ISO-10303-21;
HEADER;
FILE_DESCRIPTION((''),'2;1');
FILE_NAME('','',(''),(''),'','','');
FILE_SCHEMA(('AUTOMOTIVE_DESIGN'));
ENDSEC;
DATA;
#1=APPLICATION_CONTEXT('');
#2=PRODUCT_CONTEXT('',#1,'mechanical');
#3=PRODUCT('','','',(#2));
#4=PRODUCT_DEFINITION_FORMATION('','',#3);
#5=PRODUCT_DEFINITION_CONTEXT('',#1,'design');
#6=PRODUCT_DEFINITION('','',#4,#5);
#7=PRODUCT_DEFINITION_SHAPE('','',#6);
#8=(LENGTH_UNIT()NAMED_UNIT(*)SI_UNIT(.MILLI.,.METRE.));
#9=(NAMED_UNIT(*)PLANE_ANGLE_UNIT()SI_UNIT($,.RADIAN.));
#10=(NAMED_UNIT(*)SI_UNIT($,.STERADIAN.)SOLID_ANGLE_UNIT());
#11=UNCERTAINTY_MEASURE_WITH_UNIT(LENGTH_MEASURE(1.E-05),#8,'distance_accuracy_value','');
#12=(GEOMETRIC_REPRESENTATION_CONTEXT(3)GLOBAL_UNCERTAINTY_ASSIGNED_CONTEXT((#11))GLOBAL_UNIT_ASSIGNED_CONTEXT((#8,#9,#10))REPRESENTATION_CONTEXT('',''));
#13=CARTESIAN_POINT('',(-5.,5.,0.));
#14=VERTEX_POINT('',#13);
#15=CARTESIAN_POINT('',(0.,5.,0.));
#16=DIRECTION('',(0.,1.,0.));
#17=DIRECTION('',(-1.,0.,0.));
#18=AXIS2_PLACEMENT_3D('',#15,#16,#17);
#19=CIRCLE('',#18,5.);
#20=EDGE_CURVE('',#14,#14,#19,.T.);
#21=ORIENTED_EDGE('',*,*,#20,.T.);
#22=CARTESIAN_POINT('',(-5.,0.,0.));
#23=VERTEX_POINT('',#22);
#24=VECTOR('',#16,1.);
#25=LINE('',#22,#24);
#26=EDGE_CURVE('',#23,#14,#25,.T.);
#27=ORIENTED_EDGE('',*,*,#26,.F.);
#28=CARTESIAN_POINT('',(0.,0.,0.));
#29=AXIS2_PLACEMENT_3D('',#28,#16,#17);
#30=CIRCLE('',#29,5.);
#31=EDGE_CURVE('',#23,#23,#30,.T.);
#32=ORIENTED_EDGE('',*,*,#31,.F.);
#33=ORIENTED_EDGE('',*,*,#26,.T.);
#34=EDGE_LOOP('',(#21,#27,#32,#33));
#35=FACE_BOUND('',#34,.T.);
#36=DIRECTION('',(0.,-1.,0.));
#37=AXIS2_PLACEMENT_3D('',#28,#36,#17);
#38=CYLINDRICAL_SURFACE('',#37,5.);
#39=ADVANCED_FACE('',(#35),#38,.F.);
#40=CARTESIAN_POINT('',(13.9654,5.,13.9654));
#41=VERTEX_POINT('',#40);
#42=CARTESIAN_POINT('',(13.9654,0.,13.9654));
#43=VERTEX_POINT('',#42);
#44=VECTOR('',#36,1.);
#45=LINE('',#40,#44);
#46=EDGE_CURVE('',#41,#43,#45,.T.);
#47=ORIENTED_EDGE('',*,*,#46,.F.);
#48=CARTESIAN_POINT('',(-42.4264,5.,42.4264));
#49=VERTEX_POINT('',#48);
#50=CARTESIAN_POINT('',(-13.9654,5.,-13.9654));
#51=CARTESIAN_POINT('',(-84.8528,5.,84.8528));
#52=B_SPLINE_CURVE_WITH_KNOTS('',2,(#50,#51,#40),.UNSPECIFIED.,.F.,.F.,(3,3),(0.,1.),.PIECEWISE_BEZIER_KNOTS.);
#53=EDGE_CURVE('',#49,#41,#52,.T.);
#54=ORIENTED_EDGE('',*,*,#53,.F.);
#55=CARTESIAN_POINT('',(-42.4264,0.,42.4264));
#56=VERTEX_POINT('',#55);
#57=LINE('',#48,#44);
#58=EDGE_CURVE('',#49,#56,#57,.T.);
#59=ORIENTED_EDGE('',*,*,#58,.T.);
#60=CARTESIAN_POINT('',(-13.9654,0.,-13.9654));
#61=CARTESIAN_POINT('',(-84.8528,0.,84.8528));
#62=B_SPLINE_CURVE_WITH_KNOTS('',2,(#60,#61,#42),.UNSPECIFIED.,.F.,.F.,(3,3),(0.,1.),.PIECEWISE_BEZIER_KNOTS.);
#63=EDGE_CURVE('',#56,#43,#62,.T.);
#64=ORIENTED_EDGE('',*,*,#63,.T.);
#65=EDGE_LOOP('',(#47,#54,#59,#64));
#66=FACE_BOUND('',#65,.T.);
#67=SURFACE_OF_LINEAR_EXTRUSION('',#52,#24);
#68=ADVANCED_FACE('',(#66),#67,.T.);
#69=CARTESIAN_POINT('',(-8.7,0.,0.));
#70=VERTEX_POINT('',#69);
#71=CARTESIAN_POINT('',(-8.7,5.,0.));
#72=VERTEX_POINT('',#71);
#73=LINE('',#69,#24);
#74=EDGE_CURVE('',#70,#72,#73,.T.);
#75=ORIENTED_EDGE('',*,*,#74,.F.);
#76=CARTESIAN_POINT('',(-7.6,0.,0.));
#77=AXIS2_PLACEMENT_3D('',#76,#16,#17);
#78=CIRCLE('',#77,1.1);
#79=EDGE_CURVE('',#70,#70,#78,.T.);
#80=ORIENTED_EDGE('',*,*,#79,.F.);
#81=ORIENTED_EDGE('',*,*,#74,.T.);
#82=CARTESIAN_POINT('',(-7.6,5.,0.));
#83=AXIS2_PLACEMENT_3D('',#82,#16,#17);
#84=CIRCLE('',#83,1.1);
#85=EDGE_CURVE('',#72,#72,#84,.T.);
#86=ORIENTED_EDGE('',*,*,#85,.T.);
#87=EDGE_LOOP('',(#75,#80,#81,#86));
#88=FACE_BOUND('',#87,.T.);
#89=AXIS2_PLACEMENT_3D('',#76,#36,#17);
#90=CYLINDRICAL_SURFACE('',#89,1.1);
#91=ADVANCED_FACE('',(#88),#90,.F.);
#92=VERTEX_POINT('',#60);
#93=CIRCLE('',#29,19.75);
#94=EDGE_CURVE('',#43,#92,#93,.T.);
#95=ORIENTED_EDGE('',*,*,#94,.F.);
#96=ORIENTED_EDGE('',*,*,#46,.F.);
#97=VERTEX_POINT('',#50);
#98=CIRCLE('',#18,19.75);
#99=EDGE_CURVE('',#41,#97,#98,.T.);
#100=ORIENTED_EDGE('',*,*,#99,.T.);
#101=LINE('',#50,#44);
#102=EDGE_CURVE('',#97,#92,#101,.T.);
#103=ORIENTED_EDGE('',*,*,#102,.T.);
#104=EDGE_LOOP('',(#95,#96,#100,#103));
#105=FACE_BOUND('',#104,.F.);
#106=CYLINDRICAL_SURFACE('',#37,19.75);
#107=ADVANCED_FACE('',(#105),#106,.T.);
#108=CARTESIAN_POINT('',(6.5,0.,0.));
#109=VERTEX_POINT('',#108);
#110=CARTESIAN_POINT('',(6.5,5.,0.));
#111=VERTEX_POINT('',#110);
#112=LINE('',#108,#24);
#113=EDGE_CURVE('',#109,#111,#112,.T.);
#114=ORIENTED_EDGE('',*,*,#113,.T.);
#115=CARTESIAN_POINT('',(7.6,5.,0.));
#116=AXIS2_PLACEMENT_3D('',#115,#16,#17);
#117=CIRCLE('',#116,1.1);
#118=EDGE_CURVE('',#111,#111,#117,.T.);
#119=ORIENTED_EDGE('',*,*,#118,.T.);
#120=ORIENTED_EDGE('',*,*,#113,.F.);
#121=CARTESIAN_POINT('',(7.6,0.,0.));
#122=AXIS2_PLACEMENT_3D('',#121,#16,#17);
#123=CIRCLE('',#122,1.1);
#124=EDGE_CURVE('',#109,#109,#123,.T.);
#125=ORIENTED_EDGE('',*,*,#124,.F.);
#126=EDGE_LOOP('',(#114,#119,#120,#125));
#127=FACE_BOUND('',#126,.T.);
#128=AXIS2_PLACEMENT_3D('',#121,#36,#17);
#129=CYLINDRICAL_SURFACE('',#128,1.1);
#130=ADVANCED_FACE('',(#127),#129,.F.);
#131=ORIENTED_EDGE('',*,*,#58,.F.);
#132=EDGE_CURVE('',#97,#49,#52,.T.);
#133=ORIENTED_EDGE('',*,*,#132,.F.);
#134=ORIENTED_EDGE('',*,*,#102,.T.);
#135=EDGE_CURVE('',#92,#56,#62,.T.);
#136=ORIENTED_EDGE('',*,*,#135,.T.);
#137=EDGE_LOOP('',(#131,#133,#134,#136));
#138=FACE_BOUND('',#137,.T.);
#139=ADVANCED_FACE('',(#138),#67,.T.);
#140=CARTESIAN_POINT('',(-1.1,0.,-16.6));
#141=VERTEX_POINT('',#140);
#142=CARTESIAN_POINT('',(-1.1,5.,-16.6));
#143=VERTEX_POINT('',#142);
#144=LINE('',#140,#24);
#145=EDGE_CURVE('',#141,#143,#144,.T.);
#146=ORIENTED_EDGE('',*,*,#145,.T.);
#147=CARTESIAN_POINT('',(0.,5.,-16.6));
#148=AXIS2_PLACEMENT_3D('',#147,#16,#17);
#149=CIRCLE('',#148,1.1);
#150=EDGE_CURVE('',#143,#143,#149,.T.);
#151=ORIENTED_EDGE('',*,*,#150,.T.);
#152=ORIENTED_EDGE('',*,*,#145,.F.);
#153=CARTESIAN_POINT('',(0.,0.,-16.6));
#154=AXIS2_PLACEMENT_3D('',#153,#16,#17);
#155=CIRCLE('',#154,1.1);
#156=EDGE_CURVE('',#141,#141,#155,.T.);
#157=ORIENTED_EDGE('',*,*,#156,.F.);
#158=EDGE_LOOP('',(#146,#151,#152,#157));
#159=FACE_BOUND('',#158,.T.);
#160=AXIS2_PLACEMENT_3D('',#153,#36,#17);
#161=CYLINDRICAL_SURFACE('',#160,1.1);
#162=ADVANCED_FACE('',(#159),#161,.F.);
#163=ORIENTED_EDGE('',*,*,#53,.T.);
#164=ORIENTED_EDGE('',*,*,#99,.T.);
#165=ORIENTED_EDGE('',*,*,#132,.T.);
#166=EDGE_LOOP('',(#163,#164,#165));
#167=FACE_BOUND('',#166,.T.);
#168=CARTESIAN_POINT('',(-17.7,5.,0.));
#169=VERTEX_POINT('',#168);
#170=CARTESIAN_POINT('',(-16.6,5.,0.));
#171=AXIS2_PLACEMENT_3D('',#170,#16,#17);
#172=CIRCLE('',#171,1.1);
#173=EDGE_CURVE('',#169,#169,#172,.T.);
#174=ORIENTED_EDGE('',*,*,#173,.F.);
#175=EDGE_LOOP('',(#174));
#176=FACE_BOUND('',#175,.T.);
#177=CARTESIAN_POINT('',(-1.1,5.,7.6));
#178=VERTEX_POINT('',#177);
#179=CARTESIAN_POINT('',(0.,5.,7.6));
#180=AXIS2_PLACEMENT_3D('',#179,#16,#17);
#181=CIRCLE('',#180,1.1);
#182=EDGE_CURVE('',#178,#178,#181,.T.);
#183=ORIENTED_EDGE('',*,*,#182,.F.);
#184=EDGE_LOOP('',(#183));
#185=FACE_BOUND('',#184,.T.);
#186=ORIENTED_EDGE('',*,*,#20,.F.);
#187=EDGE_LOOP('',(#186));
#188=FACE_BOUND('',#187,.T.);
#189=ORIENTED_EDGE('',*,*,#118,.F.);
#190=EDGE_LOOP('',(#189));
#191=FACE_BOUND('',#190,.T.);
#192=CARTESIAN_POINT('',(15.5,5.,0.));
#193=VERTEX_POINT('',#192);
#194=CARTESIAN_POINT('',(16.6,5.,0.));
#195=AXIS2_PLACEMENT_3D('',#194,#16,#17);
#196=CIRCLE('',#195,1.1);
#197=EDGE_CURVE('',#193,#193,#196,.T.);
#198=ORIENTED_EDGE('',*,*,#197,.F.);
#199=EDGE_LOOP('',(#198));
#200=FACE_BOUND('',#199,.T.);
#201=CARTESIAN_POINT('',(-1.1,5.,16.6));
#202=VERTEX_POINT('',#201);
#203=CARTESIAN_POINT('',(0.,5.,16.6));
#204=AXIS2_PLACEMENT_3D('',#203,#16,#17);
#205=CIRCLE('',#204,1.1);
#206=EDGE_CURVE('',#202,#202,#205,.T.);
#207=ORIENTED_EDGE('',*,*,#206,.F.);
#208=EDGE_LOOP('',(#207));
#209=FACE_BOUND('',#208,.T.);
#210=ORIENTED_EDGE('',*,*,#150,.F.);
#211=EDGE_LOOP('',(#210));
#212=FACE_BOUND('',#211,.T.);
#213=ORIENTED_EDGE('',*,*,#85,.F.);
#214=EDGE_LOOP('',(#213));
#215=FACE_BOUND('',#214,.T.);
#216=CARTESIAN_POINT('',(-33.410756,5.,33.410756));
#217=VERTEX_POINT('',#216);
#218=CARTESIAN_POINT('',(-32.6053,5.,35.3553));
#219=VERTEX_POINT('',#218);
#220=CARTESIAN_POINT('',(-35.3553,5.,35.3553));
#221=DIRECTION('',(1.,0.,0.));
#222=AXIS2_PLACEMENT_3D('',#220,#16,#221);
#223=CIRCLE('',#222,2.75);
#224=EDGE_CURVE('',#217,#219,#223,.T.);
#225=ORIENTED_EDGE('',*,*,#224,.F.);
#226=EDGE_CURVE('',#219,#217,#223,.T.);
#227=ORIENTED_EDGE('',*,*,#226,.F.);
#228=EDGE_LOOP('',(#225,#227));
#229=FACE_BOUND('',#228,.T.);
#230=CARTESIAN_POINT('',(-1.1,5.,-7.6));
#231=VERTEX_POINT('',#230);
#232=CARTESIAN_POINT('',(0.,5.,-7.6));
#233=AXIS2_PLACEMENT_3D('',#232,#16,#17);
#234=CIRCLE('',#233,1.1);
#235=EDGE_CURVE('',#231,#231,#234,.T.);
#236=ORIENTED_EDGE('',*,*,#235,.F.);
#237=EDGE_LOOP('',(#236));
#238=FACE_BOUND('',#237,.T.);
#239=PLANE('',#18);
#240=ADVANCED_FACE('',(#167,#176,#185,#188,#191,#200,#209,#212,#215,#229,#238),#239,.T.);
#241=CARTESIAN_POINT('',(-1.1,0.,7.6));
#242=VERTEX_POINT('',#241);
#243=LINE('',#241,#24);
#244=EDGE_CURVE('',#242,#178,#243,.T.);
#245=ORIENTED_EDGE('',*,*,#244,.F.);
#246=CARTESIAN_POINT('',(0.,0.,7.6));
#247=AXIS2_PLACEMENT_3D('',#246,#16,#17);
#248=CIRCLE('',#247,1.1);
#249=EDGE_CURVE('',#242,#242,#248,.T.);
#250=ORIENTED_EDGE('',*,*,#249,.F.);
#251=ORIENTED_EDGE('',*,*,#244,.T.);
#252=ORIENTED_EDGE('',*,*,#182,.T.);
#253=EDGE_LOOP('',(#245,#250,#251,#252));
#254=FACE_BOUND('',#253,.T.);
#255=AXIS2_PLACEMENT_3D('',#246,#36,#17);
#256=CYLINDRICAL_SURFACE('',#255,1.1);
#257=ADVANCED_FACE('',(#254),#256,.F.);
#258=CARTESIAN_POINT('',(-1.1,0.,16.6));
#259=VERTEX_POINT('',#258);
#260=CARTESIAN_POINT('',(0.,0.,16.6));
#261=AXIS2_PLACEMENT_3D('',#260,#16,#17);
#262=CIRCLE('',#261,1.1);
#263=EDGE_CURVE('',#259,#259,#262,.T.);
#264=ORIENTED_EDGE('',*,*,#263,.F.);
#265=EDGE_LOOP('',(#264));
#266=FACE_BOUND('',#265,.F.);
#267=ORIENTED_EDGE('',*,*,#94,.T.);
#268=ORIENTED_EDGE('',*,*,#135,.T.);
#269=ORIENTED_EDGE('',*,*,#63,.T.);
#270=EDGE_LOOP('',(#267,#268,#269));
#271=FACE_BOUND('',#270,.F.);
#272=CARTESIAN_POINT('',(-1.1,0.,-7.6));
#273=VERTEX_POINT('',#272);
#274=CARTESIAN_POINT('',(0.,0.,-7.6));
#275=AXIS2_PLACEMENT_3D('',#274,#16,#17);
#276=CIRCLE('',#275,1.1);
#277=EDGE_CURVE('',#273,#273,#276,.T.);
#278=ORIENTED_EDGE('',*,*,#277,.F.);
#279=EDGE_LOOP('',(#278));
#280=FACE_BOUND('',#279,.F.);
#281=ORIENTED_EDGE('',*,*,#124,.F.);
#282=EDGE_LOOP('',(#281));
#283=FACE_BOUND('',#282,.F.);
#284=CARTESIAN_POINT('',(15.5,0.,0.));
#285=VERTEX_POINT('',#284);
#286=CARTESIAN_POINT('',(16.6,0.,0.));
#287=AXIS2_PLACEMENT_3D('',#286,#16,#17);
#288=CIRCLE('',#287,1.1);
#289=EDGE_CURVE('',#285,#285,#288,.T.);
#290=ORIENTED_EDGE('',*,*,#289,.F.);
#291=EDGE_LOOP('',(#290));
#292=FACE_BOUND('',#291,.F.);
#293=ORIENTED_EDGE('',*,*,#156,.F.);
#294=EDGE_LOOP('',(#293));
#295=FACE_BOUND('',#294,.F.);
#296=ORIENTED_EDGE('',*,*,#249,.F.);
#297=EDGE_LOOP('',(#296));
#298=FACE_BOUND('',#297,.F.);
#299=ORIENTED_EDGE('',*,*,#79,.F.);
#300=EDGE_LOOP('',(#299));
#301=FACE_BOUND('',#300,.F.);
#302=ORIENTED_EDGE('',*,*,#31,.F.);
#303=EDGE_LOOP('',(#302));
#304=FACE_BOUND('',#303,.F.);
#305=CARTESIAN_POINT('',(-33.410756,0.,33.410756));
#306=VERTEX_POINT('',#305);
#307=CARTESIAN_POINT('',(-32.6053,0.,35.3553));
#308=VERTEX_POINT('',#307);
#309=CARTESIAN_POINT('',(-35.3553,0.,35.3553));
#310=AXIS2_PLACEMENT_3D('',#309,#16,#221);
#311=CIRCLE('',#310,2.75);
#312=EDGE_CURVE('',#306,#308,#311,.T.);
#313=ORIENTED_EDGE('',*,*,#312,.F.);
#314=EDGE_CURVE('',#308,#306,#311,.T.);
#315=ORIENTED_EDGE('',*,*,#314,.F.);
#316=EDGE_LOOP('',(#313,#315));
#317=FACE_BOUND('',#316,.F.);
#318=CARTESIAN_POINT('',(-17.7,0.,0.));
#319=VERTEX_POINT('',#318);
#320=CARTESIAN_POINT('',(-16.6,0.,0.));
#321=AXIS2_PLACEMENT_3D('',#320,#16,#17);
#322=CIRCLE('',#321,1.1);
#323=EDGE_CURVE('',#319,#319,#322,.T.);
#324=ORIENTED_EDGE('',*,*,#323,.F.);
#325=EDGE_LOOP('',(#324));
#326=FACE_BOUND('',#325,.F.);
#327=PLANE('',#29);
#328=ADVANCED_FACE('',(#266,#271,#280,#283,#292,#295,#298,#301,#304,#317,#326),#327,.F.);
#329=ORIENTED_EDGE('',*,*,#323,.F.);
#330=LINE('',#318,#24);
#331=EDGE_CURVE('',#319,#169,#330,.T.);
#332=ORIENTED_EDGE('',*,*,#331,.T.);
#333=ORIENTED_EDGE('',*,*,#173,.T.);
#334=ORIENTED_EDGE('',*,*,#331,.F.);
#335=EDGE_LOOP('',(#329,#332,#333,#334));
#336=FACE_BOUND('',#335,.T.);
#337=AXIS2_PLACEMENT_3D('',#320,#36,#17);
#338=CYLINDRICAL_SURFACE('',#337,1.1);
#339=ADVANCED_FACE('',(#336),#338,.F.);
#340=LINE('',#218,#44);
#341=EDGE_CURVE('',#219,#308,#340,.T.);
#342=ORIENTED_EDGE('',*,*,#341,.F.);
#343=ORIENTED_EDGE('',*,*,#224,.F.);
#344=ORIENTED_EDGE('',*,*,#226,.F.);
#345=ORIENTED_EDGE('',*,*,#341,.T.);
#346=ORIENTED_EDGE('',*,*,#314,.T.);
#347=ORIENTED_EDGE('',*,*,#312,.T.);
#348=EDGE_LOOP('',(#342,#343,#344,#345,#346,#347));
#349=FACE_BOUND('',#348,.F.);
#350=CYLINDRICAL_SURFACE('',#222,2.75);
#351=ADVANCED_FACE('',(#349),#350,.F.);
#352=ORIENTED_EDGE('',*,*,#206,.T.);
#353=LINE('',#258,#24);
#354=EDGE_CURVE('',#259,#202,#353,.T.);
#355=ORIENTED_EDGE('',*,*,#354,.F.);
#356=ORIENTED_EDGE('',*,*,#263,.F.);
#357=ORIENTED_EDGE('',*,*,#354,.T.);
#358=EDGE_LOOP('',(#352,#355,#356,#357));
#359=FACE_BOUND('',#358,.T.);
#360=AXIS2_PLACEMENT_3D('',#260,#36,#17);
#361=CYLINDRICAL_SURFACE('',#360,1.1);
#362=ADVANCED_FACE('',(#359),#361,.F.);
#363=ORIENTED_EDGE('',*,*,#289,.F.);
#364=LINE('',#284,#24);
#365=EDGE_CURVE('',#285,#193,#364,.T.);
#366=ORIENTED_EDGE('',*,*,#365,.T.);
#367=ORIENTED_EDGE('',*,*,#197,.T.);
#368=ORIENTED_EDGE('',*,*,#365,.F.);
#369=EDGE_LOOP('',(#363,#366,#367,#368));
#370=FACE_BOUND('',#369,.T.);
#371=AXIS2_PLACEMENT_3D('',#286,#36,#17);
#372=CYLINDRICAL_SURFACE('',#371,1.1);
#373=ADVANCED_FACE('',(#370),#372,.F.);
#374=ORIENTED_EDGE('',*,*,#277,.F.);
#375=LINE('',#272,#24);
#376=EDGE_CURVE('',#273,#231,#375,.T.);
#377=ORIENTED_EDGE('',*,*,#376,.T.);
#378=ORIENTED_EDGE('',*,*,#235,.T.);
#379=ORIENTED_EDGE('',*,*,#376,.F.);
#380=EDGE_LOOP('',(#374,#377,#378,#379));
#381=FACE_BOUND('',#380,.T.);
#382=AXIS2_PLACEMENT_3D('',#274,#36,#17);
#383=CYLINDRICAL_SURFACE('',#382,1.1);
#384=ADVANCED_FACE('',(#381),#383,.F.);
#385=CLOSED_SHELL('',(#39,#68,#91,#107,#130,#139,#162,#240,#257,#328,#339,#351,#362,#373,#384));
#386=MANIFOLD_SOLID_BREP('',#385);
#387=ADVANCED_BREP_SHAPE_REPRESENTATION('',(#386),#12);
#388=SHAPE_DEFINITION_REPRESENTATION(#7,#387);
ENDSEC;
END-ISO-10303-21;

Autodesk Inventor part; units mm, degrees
ref_plane "YZ Plane" through (0, 0, 0) normal (1, 0, 0) x (0, 1, 0)
ref_plane "XZ Plane" through (0, 0, 0) normal (0, 1, 0) x (-1, 0, 0)
ref_plane "XY Plane" through (0, 0, 0) normal (0, 0, 1) x (1, 0, 0)
sketch "Sketch1" plane through (0, 0, 0) normal (0, 1, 0) x (-1, 0, 0)
  circle A0 centre (0, 0) radius 19.75
  circle A1 centre (0, 0) radius 5
  circle A2 centre (0, 16.6) radius 1.1
  circle A3 centre (16.6, 0) radius 1.1
  circle A4 centre (0, -16.6) radius 1.1
  circle A5 centre (-16.6, 0) radius 1.1
  circle A6 centre (-7.6, 0) radius 1.1
  circle A7 centre (0, 7.6) radius 1.1
  circle A8 centre (7.6, 0) radius 1.1
  circle A9 centre (0, -7.6) radius 1.1
  point P0 (0, 19.75)
  point P1 (19.75, 0)
  point P2 (0, -19.75)
  point P3 (-19.75, 0)
  point P4 (0, -5)
  point P5 (-5, 0)
  point P6 (0, 5)
  point P7 (5, 0)
  dimension "d0" = 39.5
  dimension "d1" = 10
  dimension "d2" = 2.2
  dimension "d3" = 3.15
  dimension "d4" = 2.2
  dimension "d5" = 3.15
  dimension "d6" = 2.2
  dimension "d7" = 3.15
  dimension "d8" = 2.2
  dimension "d9" = 3.15
  dimension "d10" = 2.2
  dimension "d11" = 2.2
  dimension "d12" = 2.2
  dimension "d13" = 2.2
  dimension "d14" = 2.6
  dimension "d15" = 2.6
  dimension "d16" = 2.6
  dimension "d17" = 2.6
extrude "Extrusion1" add sketch "Sketch1" along normal blind 5
sketch "Sketch2" plane through (0, 5, 0) normal (0, 1, 0) x (1, 0, 0)
  line L0 (17.6777, 17.6777) -> (67.6777, 17.6777) construction
  line L1 (0, 0) -> (-35.3553, -35.3553)
  line L2 (0, 0) -> (50, 0) construction
  circle A0 centre (-35.3553, -35.3553) radius 2.75
  circle A1 centre (0, 0) radius 19.75 projected
  line L3 (13.9654, -13.9654) -> (-13.9654, 13.9654)
  line L4 (-13.9654, 13.9654) -> (-56.3918, -28.461)
  line L5 (13.9654, -13.9654) -> (-28.461, -56.3918)
  line L6 (-28.461, -56.3918) -> (-56.3918, -28.461)
  circle A2 centre (0, -16.6) radius 1.1 projected
  circle A3 centre (0, -16.6) radius 1.1
  circle A4 centre (0, -7.6) radius 1.1 projected
  circle A5 centre (0, -7.6) radius 1.1
  circle A6 centre (-7.6, 0) radius 1.1 projected
  circle A7 centre (-7.6, 0) radius 1.1
  circle A8 centre (-16.6, 0) radius 1.1 projected
  circle A9 centre (-16.6, 0) radius 1.1
  circle A10 centre (0, 0) radius 5
  dimension "d22" = 50
  dimension "d23" = 135
  dimension "d24" = 5.5
  dimension "d25" = 60
  dimension "d26" = 60
extrude "Extrusion2" add sketch "Sketch2" against normal blind 5 contours A1 L5 L6 L4
sketch "Sketch3" plane through (0, 5, 0) normal (0, 1, 0) x (1, 0, 0)
  line L0 (-28.461, -56.3918) -> (-56.3918, -28.461) projected
  arc A0 (13.9654, -13.9654) -> (-13.9654, 13.9654) centre (0, 0) ccw projected
  line L1 (-28.461, -56.3918) -> (13.9654, -13.9654) projected
  spline S0 degree 2 poles (-13.9654, 13.9654) (-84.8528, -84.8528) (13.9654, -13.9654) knots 0 0 0 1 1 1
  line L2 (13.9654, -13.9654) -> (-28.461, -56.3918)
  line L3 (-56.3918, -28.461) -> (-13.9654, 13.9654)
  point P0 (-42.4264, -42.4264)
extrude "Extrusion3" cut sketch "Sketch3" against normal blind 5 contours L0 S0 L1 | L0 L3 S0
properties part number "Servo-head.finalV1"
